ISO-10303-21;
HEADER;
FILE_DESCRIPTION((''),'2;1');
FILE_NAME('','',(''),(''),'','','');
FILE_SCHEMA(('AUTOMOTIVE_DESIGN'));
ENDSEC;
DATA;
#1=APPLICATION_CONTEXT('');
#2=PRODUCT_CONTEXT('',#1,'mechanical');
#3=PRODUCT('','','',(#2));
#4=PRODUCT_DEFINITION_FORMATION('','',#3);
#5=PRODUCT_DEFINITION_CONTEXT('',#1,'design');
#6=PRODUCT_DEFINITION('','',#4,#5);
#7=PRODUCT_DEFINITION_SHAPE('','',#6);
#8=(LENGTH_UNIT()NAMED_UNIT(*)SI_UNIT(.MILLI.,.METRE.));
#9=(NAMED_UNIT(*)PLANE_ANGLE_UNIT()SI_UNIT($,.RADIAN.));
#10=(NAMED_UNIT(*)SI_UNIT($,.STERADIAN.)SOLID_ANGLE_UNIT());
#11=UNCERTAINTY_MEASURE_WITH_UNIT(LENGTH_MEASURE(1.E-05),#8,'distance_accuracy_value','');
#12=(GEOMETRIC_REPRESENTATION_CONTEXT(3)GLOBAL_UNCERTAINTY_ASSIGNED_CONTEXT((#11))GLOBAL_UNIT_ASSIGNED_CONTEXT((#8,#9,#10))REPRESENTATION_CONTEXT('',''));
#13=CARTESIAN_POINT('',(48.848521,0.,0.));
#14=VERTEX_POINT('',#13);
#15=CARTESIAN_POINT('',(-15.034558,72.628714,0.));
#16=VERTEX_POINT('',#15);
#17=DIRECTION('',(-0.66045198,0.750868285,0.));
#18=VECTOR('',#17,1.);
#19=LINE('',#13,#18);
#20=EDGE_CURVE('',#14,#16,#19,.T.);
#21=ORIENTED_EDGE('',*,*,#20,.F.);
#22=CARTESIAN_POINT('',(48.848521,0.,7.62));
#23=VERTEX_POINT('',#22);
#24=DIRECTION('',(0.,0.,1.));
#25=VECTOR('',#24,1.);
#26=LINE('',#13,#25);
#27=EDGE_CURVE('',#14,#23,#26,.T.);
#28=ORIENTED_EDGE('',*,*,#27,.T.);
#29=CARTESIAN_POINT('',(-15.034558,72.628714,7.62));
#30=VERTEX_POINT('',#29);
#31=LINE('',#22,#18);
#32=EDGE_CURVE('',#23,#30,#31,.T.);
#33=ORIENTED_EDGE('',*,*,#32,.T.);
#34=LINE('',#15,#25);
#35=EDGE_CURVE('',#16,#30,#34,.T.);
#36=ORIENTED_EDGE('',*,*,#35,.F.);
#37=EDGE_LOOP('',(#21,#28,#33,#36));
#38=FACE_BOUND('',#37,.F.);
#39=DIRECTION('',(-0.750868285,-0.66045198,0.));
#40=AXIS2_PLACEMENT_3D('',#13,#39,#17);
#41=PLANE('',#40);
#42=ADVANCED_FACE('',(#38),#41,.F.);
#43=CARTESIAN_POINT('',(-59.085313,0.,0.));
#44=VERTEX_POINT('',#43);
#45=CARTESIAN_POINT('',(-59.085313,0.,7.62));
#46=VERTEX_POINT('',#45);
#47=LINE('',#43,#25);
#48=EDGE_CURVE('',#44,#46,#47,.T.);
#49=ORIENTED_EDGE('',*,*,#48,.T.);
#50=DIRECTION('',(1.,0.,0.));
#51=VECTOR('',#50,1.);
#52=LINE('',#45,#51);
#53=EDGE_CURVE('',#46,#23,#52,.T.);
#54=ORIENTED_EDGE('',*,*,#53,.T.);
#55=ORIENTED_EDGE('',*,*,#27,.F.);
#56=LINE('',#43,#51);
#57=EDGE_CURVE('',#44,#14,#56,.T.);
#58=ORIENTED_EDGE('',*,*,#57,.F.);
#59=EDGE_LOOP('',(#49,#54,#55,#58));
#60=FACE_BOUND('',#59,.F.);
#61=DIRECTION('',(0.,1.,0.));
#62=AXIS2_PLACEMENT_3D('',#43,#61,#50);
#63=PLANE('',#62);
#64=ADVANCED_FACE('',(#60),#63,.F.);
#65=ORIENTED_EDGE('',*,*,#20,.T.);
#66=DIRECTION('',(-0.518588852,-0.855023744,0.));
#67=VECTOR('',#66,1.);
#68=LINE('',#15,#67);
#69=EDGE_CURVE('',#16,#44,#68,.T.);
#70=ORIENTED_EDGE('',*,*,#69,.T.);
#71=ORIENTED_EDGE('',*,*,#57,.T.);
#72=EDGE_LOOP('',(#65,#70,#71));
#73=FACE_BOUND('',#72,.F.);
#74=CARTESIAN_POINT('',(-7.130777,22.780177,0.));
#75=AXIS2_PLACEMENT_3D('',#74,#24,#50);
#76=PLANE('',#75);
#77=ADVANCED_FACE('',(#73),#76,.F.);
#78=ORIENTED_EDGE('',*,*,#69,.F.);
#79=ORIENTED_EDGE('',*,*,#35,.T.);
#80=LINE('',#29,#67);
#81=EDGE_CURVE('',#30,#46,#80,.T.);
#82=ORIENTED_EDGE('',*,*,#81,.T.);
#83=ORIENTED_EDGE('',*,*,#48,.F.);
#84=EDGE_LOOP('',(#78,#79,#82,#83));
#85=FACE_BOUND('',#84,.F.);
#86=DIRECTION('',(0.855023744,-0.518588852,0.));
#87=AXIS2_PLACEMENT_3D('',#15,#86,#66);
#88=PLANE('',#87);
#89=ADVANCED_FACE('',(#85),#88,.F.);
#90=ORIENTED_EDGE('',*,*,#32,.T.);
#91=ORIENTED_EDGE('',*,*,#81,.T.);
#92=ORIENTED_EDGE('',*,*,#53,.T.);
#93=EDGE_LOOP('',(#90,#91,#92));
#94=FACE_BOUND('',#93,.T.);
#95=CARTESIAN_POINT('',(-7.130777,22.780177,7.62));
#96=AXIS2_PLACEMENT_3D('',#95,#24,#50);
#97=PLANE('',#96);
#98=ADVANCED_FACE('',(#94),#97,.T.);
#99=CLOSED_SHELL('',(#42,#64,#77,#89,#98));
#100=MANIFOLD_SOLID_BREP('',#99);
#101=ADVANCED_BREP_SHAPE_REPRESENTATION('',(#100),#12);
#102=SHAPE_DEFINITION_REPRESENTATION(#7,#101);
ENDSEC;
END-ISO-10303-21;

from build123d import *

# Parameters (mm, degrees)
F2_DEPTH = 7.62


with BuildPart() as f2:
    # F1 (on face) → F2 (new body)
    with BuildSketch(Plane.XY):
        Polygon((-59.085313, 0), (48.848521, 0), (-15.034558, 72.628714), align=None)
    extrude(amount=F2_DEPTH)


solid = f2.part
